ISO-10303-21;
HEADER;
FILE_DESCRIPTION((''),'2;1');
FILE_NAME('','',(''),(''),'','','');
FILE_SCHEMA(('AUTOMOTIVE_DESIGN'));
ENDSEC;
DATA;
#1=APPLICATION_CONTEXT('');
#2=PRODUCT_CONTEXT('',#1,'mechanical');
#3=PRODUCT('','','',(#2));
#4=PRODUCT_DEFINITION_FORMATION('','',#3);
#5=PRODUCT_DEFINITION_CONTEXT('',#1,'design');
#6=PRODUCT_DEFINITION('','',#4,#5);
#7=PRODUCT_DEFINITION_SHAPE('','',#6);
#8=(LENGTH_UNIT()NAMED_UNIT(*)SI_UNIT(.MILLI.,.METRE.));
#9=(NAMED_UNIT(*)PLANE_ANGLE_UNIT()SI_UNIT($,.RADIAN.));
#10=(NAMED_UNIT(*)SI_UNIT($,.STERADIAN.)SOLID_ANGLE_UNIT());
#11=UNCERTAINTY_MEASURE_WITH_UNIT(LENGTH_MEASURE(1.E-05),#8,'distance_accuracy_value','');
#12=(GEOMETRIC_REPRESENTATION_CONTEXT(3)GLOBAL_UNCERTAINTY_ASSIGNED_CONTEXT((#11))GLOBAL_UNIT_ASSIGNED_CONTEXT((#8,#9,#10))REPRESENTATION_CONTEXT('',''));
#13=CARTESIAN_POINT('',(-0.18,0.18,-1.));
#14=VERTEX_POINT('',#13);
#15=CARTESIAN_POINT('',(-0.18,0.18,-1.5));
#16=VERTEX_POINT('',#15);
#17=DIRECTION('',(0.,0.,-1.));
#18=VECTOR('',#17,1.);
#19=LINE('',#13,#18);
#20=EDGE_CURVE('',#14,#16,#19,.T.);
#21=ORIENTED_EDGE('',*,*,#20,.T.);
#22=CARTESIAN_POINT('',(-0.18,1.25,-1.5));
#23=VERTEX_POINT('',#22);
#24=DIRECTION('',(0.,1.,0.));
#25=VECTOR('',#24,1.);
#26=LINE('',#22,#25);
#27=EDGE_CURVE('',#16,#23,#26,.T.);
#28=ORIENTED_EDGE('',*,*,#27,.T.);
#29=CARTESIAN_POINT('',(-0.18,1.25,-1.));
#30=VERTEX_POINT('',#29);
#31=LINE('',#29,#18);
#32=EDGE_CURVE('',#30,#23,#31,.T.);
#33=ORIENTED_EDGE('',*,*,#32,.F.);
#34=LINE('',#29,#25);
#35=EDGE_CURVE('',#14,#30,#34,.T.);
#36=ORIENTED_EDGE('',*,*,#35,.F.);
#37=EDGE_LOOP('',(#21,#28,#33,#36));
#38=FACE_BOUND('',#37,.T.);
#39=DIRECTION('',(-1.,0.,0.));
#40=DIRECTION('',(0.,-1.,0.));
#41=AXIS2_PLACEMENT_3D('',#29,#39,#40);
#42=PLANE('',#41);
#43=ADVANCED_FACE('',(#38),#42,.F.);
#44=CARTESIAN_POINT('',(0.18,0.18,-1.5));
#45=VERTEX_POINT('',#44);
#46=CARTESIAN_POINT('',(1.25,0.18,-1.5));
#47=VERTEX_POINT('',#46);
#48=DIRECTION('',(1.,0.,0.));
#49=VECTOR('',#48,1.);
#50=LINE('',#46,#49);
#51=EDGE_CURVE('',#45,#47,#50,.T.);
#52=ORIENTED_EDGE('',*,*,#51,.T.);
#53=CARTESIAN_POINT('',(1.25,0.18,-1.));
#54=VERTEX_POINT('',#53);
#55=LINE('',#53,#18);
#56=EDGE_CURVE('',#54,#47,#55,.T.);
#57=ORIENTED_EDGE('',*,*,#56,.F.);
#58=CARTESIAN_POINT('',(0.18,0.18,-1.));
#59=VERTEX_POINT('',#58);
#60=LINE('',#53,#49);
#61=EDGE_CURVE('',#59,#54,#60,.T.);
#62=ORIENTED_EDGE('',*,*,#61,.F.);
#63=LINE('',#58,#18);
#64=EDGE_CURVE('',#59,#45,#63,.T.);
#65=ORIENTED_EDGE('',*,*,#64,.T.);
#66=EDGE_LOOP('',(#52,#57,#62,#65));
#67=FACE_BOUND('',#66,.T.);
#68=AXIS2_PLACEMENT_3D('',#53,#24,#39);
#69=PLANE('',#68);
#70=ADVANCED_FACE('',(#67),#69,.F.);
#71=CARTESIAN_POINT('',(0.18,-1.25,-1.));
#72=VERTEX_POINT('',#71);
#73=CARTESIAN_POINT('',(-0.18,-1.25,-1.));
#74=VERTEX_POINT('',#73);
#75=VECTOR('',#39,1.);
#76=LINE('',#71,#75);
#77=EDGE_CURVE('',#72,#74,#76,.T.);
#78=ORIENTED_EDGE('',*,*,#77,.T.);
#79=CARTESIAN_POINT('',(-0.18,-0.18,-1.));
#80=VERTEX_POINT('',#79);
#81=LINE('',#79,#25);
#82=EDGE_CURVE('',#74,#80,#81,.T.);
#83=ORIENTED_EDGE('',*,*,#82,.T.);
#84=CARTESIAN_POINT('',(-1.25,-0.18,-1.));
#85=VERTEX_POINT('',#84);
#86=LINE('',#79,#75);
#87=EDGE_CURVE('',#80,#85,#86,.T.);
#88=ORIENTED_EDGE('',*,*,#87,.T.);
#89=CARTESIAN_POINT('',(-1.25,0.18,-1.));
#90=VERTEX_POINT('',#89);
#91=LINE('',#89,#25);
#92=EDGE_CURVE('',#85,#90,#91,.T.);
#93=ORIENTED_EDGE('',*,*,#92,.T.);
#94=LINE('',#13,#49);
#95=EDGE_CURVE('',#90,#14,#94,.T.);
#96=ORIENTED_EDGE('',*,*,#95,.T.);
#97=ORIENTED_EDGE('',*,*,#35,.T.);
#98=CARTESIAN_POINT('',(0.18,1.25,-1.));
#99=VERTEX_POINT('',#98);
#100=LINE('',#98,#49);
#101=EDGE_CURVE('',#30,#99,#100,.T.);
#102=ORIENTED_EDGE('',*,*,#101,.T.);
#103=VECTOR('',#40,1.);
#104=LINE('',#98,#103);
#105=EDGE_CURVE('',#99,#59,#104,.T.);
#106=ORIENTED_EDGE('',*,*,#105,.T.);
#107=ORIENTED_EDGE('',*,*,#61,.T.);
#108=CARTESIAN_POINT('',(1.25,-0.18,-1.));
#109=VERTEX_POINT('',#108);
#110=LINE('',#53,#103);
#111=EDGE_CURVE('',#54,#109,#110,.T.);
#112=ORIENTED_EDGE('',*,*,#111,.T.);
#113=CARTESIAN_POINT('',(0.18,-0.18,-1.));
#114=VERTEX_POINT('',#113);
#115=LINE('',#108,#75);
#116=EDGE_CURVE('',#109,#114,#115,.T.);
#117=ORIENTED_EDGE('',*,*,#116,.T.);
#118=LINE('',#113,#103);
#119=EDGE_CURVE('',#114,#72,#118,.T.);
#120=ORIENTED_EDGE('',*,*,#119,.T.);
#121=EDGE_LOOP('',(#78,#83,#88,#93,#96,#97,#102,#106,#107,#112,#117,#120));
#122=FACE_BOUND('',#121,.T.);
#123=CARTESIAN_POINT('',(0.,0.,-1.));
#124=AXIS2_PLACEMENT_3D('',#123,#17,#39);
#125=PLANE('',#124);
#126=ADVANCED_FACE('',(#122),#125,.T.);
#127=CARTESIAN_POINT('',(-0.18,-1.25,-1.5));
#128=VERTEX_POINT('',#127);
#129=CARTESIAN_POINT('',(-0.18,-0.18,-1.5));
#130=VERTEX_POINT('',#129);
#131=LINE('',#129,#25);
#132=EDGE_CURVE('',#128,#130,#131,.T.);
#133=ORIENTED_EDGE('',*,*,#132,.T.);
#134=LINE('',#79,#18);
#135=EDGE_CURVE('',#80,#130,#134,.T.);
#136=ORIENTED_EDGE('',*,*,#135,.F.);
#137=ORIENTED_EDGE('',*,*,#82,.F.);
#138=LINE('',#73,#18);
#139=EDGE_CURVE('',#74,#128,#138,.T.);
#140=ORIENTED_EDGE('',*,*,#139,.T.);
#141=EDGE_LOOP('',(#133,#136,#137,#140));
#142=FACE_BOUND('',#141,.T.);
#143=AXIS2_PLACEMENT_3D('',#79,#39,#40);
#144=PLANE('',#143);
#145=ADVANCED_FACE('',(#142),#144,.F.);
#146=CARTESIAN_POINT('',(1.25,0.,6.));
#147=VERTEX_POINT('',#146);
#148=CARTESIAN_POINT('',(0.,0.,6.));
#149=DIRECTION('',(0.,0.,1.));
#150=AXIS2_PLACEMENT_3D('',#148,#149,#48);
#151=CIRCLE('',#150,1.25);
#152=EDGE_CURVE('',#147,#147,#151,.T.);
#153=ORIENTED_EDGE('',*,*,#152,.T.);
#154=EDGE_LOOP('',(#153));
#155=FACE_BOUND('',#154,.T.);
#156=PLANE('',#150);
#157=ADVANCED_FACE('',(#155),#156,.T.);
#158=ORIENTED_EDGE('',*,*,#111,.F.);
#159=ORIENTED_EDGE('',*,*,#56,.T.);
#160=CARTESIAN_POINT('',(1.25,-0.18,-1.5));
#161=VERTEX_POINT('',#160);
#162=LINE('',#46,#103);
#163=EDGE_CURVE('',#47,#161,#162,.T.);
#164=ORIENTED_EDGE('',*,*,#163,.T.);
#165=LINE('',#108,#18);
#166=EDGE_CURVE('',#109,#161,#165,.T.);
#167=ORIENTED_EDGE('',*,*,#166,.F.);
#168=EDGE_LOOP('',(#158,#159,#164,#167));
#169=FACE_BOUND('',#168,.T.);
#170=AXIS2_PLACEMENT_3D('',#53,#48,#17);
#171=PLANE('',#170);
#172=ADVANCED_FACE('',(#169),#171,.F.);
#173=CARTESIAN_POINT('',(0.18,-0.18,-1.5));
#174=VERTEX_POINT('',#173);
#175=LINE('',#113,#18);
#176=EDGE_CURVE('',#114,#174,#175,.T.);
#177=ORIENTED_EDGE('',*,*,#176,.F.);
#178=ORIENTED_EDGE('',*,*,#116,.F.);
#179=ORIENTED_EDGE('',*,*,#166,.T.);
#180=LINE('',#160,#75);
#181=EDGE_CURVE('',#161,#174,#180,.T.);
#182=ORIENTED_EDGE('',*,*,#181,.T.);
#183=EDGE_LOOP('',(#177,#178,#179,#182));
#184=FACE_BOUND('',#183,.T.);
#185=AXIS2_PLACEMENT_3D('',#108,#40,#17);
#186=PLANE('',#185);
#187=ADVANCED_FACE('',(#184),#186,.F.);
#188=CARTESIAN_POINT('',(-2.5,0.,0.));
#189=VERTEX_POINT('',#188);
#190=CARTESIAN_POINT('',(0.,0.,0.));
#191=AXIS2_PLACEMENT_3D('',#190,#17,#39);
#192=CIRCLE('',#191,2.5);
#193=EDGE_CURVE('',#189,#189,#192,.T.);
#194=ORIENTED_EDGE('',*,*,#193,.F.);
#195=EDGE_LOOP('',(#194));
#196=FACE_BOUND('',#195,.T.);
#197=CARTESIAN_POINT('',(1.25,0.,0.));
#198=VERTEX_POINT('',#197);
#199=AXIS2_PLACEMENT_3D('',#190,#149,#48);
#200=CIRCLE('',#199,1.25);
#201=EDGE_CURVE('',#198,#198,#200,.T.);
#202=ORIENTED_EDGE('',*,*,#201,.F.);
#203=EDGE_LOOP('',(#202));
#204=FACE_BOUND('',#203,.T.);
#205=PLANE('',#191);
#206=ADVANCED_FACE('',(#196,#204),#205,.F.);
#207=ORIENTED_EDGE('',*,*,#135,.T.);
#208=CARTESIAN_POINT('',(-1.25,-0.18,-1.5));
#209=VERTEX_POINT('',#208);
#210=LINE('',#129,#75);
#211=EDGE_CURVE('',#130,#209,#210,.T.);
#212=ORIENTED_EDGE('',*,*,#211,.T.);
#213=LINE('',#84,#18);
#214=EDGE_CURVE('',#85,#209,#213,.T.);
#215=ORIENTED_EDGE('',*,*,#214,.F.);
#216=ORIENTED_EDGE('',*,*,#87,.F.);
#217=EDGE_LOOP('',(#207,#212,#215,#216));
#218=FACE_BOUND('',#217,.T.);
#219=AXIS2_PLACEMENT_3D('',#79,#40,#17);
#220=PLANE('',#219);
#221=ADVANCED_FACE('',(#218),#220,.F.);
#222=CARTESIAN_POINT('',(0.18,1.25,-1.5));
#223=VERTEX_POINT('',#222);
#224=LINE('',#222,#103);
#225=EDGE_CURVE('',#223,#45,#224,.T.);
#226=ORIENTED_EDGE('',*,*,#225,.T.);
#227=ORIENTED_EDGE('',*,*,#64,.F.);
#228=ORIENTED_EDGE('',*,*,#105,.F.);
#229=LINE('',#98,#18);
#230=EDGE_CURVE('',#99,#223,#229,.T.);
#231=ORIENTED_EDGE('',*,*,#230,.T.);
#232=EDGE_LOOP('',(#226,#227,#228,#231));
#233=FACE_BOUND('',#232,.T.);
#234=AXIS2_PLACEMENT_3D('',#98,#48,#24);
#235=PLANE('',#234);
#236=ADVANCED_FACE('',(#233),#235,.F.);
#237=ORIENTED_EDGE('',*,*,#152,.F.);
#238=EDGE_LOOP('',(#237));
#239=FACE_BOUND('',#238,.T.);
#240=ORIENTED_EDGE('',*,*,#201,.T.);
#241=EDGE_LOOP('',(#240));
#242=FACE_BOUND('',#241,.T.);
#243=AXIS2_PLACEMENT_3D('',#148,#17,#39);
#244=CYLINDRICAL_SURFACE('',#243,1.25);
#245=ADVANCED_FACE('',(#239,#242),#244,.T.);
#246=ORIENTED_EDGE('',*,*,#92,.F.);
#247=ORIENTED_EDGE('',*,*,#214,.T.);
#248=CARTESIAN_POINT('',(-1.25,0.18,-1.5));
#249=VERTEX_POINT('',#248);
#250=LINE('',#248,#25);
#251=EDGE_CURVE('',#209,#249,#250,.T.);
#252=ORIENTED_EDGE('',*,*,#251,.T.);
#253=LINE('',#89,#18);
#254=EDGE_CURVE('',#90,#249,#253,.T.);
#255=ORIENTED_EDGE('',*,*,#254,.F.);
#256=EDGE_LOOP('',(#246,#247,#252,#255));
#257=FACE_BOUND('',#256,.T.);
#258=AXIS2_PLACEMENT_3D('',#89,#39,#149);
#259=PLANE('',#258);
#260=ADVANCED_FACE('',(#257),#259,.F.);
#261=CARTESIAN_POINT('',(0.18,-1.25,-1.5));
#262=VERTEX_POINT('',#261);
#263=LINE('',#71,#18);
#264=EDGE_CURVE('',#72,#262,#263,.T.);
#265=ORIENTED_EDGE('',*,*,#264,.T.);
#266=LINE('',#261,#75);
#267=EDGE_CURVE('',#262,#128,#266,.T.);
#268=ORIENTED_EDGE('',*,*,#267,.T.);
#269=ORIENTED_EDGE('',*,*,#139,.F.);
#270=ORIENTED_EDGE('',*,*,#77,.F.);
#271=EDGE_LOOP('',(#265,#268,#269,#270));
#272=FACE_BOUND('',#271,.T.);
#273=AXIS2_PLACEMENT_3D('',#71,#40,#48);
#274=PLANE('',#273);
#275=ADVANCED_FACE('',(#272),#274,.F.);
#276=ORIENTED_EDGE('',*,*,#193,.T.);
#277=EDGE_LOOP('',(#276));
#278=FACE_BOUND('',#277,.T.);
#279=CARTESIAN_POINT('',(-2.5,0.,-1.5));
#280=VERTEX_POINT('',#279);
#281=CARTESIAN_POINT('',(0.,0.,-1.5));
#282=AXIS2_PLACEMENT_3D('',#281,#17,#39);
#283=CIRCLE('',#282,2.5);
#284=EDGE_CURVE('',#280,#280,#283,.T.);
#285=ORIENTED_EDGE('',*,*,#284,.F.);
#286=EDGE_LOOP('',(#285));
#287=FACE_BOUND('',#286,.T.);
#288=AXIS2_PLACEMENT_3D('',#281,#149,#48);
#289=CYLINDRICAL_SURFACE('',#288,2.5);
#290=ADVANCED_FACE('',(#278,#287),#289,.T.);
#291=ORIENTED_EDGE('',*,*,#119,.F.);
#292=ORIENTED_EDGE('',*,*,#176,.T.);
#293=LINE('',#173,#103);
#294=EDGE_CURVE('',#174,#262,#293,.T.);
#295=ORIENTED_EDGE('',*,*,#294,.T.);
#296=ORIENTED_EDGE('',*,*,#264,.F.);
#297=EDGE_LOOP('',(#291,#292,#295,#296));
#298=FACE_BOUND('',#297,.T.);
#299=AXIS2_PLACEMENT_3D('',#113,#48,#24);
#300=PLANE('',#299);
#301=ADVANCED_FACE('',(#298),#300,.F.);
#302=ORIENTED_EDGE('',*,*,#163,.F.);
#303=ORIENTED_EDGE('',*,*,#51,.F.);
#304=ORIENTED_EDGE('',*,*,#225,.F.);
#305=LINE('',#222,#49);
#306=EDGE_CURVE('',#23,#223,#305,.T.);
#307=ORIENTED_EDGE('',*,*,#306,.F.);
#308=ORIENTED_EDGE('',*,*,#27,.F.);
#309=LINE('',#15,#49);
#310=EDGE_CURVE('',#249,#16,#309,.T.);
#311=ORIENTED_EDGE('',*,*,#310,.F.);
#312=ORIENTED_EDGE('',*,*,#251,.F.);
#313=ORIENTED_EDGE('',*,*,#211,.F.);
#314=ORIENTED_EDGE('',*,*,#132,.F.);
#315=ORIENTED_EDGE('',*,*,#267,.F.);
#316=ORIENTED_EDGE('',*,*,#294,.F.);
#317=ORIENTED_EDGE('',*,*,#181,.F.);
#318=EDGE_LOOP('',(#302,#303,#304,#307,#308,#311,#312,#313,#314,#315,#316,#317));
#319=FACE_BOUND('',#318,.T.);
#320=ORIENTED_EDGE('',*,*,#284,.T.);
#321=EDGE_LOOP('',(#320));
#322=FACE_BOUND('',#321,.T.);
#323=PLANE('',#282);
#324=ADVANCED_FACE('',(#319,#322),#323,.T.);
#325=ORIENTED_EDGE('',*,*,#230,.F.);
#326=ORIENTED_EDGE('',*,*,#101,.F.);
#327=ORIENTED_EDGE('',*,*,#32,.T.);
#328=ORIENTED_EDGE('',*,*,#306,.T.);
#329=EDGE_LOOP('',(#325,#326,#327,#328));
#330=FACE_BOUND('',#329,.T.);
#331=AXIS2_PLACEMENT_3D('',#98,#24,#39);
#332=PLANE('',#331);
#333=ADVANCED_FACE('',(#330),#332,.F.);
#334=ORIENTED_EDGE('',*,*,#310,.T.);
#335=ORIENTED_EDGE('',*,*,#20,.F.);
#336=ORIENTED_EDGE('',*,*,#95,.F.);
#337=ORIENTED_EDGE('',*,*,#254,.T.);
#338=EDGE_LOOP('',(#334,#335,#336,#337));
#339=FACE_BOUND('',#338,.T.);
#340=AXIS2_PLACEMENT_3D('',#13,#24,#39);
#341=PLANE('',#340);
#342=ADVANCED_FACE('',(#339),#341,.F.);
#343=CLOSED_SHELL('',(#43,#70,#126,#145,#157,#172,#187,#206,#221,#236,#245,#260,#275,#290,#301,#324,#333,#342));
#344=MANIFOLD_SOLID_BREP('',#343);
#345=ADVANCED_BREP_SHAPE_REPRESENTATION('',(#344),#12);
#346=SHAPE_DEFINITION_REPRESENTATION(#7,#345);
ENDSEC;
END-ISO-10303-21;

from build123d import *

# Parameters (mm, degrees)
SKETCH_1_R          = 1.25
EXTRUDE_1_DEPTH     = 6
SKETCH_2_R          = 2.5
EXTRUDE_2_DEPTH     = 1.5
CUT_EXTRUDE_1_DEPTH = 0.5


with BuildPart() as part:
    # 草图1 → 凸台-拉伸1 (new body)
    with BuildSketch(Plane.XY):
        Circle(SKETCH_1_R)
    extrude(amount=EXTRUDE_1_DEPTH)

    # 草图2 → 凸台-拉伸2 (add)
    with BuildSketch(Plane(origin=(0, 0, 0), x_dir=(-1, 0, 0), z_dir=(0, 0, -1))):
        Circle(SKETCH_2_R)
    extrude(amount=EXTRUDE_2_DEPTH)

    # 草图3 → 切除-拉伸1 (cut)
    with BuildSketch(Plane(origin=(0, 0, -1.5), x_dir=(-1, 0, 0), z_dir=(0, 0, -1))):
        Polygon((0.18, 1.25), (0.18, 0.18), (1.25, 0.18), (1.25, -0.18), (0.18, -0.18), (0.18, -1.25), (-0.18, -1.25), (-0.18, -0.18), (-1.25, -0.18), (-1.25, 0.18), (-0.18, 0.18), (-0.18, 1.25), align=None)
    extrude(amount=-CUT_EXTRUDE_1_DEPTH, mode=Mode.SUBTRACT)


solid = part.part
